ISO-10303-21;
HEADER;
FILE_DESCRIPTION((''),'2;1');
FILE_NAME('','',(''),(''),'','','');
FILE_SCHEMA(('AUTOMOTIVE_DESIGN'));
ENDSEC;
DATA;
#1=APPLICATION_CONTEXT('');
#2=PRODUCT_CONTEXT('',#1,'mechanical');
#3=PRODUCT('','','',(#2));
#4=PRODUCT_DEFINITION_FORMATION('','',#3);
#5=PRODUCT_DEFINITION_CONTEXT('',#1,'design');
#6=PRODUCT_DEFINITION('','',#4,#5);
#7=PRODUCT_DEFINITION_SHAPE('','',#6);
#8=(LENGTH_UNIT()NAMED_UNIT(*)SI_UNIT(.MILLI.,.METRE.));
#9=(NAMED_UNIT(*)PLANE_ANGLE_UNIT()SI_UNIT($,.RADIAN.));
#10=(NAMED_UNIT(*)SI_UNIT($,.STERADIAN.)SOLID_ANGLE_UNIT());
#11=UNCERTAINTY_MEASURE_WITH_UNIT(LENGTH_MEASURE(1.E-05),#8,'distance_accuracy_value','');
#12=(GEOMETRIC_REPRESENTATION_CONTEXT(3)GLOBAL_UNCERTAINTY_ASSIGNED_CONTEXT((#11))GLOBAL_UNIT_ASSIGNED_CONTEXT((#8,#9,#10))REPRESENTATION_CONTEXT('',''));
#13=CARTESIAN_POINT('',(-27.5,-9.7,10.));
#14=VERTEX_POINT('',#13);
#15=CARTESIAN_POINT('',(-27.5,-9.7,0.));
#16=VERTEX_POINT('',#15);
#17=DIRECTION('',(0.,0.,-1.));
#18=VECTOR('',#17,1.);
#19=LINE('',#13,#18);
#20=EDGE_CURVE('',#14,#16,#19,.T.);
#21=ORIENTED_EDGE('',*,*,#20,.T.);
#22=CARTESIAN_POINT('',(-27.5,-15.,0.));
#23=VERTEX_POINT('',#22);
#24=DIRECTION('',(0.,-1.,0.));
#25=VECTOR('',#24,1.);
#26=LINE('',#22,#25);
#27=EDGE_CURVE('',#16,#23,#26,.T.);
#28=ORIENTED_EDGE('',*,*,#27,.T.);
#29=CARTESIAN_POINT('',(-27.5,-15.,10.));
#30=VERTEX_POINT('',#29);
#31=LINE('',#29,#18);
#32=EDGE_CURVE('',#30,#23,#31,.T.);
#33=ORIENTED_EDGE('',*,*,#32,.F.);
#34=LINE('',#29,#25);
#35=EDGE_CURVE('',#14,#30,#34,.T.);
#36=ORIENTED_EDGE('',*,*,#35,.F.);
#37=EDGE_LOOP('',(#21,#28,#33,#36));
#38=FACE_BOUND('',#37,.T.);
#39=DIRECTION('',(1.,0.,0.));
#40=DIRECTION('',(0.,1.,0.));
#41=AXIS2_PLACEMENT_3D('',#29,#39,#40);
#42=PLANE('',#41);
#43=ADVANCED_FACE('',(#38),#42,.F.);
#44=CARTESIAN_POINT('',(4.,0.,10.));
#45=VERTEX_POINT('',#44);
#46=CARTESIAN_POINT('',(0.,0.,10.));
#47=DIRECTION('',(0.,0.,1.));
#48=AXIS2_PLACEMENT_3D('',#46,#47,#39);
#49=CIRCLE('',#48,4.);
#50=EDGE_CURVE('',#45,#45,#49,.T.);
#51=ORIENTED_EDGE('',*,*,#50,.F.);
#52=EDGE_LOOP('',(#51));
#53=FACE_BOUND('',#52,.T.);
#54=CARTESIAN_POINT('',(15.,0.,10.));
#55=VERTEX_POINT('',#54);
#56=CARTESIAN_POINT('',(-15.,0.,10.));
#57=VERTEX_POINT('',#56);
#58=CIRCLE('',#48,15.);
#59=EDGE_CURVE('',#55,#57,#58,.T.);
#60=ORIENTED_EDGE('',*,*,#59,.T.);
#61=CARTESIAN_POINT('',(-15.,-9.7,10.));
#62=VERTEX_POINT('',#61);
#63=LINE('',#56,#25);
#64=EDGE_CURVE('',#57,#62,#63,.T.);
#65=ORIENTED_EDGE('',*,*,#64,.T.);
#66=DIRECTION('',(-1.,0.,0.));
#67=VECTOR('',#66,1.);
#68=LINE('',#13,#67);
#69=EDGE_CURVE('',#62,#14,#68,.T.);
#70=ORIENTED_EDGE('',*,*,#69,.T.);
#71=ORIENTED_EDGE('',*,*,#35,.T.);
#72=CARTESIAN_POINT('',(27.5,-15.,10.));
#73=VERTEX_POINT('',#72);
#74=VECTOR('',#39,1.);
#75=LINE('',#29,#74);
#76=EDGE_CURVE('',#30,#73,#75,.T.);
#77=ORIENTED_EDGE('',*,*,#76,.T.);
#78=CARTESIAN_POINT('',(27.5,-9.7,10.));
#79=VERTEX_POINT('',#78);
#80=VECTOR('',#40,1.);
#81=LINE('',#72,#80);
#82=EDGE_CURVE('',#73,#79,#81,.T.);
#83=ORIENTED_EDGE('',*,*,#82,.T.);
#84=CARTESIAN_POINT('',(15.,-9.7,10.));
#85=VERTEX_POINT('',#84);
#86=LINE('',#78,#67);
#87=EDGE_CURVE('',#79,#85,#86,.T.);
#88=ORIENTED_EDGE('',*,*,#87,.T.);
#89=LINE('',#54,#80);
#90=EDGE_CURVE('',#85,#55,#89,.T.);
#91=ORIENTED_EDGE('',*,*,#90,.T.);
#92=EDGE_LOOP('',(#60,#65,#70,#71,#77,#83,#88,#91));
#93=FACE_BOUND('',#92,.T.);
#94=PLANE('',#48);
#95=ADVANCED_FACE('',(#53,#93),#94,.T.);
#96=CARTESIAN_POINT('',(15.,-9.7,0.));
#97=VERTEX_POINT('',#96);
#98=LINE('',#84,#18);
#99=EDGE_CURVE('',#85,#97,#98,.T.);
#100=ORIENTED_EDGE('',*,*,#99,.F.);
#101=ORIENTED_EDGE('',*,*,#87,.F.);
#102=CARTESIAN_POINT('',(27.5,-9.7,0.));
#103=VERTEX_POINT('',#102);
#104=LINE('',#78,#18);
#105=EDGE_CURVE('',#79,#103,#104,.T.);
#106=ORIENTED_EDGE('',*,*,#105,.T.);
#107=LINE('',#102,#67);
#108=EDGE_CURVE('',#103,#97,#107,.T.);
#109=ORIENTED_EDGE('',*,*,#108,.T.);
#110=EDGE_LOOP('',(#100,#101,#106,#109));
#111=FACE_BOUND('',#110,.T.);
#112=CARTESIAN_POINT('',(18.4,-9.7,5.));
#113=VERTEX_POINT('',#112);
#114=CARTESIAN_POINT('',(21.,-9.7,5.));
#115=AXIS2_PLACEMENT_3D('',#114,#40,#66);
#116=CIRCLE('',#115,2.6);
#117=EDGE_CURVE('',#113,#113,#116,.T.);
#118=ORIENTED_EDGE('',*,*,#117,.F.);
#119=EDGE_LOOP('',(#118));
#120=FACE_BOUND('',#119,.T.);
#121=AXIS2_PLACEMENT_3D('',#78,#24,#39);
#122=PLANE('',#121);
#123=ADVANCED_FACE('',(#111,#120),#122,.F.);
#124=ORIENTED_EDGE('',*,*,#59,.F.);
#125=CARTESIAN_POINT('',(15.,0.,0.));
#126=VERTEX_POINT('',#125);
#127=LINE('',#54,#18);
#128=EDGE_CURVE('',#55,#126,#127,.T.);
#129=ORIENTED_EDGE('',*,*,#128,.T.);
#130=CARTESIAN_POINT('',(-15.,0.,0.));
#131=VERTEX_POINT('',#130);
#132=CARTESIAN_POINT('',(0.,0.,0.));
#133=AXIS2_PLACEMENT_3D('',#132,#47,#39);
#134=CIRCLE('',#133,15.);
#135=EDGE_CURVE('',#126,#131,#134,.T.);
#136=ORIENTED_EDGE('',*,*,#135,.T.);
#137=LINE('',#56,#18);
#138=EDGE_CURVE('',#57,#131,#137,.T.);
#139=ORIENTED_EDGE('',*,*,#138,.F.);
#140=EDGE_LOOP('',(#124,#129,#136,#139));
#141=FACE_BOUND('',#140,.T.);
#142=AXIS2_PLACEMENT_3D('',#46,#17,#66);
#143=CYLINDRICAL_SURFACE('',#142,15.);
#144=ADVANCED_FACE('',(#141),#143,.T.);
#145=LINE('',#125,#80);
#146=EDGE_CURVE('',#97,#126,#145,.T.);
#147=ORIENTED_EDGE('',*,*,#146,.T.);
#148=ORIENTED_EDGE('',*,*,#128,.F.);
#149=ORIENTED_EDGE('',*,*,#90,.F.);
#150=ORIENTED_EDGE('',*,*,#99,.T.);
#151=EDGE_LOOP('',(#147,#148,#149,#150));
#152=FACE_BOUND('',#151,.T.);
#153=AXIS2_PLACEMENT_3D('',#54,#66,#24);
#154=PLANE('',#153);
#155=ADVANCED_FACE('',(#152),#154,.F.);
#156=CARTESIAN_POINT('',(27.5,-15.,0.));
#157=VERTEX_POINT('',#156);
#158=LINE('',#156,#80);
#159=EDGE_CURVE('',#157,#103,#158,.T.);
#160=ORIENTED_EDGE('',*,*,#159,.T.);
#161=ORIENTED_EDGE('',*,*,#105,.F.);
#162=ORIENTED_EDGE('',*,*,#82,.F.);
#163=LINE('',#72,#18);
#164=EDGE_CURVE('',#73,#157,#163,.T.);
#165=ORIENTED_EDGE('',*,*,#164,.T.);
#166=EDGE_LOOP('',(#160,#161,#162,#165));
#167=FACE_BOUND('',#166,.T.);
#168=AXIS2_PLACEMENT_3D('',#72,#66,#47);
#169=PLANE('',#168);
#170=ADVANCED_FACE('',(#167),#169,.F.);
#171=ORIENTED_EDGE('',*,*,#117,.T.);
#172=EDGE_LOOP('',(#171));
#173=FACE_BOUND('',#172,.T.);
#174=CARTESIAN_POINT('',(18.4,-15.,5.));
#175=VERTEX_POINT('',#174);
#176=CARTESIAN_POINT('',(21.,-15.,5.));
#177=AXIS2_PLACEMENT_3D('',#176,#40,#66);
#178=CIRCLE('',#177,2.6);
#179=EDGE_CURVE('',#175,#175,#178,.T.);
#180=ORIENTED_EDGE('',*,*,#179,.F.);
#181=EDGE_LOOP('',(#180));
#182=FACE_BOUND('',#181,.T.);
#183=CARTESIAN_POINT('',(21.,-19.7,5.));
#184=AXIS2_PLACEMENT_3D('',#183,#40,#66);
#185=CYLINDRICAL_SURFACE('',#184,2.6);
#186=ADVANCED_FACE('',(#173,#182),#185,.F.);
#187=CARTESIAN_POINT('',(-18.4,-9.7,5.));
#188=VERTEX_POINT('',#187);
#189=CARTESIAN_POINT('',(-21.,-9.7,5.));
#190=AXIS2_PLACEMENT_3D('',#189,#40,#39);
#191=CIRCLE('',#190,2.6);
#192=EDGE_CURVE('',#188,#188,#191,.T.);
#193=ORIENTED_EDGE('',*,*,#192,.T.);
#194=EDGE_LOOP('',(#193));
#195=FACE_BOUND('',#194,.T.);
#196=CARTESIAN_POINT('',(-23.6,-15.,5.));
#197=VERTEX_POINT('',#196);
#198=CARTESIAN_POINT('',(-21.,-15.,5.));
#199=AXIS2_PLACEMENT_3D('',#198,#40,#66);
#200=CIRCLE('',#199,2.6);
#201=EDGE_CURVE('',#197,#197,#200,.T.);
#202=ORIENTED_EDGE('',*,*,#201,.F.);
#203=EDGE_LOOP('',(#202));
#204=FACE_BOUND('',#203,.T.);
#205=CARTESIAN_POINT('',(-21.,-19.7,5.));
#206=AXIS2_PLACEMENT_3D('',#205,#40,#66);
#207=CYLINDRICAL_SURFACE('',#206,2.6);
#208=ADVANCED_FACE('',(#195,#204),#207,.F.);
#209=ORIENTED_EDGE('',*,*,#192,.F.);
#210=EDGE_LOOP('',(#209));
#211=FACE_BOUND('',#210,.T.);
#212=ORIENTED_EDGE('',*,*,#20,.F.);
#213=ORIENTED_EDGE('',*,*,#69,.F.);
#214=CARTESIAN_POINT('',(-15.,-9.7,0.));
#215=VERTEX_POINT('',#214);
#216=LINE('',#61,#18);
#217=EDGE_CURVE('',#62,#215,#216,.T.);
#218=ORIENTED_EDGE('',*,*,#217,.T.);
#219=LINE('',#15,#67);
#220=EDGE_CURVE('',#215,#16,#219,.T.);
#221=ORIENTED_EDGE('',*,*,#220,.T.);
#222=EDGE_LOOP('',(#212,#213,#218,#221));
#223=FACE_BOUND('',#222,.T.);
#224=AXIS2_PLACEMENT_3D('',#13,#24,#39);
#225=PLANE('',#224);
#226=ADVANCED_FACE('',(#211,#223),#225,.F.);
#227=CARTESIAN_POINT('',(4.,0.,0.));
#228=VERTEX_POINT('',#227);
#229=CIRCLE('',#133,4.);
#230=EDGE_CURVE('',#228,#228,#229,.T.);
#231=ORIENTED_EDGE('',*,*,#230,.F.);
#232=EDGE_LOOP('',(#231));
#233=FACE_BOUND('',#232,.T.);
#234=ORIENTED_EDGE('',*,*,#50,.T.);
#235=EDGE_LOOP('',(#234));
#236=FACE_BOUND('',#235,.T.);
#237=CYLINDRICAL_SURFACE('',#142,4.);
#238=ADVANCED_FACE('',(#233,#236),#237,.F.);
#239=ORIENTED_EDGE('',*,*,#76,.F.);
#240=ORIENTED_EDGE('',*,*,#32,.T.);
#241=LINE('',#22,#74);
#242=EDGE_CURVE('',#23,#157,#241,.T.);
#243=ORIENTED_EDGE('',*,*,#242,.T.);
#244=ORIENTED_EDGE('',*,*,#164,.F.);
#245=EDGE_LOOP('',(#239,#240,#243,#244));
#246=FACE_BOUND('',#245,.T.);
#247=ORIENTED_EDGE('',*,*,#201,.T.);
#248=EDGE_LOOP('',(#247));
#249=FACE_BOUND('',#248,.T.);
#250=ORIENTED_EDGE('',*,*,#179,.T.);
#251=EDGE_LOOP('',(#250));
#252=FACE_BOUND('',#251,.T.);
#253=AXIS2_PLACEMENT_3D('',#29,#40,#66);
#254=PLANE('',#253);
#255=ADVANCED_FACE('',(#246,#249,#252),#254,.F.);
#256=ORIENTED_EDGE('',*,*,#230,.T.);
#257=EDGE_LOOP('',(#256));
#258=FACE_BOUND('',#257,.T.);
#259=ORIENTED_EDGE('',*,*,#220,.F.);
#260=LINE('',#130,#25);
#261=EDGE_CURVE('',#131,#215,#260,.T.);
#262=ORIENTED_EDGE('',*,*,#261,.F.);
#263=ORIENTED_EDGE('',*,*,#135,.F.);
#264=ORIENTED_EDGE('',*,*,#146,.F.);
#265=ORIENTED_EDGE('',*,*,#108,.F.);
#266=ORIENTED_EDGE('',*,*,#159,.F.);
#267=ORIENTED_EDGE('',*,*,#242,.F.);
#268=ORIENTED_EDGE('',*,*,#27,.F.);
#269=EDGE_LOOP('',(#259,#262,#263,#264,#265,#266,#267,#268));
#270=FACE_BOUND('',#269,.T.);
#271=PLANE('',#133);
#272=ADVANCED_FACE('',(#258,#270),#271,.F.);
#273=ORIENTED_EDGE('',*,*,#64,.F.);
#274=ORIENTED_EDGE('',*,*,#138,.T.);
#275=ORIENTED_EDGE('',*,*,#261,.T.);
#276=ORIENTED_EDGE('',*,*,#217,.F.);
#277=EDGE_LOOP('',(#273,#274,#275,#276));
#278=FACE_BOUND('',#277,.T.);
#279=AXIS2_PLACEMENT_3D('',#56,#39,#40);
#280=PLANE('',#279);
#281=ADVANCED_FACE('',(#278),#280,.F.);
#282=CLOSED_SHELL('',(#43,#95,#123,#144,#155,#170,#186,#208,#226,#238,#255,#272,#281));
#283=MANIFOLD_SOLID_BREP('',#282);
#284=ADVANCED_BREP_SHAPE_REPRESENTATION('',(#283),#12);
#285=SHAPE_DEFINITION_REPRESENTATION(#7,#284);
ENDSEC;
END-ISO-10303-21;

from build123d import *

# Parameters (mm, degrees)
SKETCH_1_R          = 4
EXTRUDE_1_DEPTH     = 10
SKETCH_2_R          = 2.6
CUT_EXTRUDE_1_DEPTH = 10


with BuildPart() as part:
    # 草图1 → 凸台-拉伸1 (new body)
    with BuildSketch(Plane.XY):
        with BuildLine():
            Line((-27.5, -15), (27.5, -15))
            Line((27.5, -15), (27.5, -9.7))
            Line((27.5, -9.7), (15, -9.7))
            Line((15, -9.7), (15, 0))
            ThreePointArc((15, 0), (0, 15), (-15, 0))
            Line((-15, 0), (-15, -9.7))
            Line((-15, -9.7), (-27.5, -9.7))
            Line((-27.5, -9.7), (-27.5, -15))
        make_face()
        Circle(SKETCH_1_R, mode=Mode.SUBTRACT)
    extrude(amount=EXTRUDE_1_DEPTH)

    # 草图2 → 切除-拉伸1 (cut)
    with BuildSketch(Plane(origin=(0, -9.7, 0), x_dir=(1, 0, 0), z_dir=(0, 1, 0))):
        with Locations((21, -5)):
            Circle(SKETCH_2_R)
        with Locations((-21, -5)):
            Circle(SKETCH_2_R)
    extrude(amount=-CUT_EXTRUDE_1_DEPTH, mode=Mode.SUBTRACT)


solid = part.part
